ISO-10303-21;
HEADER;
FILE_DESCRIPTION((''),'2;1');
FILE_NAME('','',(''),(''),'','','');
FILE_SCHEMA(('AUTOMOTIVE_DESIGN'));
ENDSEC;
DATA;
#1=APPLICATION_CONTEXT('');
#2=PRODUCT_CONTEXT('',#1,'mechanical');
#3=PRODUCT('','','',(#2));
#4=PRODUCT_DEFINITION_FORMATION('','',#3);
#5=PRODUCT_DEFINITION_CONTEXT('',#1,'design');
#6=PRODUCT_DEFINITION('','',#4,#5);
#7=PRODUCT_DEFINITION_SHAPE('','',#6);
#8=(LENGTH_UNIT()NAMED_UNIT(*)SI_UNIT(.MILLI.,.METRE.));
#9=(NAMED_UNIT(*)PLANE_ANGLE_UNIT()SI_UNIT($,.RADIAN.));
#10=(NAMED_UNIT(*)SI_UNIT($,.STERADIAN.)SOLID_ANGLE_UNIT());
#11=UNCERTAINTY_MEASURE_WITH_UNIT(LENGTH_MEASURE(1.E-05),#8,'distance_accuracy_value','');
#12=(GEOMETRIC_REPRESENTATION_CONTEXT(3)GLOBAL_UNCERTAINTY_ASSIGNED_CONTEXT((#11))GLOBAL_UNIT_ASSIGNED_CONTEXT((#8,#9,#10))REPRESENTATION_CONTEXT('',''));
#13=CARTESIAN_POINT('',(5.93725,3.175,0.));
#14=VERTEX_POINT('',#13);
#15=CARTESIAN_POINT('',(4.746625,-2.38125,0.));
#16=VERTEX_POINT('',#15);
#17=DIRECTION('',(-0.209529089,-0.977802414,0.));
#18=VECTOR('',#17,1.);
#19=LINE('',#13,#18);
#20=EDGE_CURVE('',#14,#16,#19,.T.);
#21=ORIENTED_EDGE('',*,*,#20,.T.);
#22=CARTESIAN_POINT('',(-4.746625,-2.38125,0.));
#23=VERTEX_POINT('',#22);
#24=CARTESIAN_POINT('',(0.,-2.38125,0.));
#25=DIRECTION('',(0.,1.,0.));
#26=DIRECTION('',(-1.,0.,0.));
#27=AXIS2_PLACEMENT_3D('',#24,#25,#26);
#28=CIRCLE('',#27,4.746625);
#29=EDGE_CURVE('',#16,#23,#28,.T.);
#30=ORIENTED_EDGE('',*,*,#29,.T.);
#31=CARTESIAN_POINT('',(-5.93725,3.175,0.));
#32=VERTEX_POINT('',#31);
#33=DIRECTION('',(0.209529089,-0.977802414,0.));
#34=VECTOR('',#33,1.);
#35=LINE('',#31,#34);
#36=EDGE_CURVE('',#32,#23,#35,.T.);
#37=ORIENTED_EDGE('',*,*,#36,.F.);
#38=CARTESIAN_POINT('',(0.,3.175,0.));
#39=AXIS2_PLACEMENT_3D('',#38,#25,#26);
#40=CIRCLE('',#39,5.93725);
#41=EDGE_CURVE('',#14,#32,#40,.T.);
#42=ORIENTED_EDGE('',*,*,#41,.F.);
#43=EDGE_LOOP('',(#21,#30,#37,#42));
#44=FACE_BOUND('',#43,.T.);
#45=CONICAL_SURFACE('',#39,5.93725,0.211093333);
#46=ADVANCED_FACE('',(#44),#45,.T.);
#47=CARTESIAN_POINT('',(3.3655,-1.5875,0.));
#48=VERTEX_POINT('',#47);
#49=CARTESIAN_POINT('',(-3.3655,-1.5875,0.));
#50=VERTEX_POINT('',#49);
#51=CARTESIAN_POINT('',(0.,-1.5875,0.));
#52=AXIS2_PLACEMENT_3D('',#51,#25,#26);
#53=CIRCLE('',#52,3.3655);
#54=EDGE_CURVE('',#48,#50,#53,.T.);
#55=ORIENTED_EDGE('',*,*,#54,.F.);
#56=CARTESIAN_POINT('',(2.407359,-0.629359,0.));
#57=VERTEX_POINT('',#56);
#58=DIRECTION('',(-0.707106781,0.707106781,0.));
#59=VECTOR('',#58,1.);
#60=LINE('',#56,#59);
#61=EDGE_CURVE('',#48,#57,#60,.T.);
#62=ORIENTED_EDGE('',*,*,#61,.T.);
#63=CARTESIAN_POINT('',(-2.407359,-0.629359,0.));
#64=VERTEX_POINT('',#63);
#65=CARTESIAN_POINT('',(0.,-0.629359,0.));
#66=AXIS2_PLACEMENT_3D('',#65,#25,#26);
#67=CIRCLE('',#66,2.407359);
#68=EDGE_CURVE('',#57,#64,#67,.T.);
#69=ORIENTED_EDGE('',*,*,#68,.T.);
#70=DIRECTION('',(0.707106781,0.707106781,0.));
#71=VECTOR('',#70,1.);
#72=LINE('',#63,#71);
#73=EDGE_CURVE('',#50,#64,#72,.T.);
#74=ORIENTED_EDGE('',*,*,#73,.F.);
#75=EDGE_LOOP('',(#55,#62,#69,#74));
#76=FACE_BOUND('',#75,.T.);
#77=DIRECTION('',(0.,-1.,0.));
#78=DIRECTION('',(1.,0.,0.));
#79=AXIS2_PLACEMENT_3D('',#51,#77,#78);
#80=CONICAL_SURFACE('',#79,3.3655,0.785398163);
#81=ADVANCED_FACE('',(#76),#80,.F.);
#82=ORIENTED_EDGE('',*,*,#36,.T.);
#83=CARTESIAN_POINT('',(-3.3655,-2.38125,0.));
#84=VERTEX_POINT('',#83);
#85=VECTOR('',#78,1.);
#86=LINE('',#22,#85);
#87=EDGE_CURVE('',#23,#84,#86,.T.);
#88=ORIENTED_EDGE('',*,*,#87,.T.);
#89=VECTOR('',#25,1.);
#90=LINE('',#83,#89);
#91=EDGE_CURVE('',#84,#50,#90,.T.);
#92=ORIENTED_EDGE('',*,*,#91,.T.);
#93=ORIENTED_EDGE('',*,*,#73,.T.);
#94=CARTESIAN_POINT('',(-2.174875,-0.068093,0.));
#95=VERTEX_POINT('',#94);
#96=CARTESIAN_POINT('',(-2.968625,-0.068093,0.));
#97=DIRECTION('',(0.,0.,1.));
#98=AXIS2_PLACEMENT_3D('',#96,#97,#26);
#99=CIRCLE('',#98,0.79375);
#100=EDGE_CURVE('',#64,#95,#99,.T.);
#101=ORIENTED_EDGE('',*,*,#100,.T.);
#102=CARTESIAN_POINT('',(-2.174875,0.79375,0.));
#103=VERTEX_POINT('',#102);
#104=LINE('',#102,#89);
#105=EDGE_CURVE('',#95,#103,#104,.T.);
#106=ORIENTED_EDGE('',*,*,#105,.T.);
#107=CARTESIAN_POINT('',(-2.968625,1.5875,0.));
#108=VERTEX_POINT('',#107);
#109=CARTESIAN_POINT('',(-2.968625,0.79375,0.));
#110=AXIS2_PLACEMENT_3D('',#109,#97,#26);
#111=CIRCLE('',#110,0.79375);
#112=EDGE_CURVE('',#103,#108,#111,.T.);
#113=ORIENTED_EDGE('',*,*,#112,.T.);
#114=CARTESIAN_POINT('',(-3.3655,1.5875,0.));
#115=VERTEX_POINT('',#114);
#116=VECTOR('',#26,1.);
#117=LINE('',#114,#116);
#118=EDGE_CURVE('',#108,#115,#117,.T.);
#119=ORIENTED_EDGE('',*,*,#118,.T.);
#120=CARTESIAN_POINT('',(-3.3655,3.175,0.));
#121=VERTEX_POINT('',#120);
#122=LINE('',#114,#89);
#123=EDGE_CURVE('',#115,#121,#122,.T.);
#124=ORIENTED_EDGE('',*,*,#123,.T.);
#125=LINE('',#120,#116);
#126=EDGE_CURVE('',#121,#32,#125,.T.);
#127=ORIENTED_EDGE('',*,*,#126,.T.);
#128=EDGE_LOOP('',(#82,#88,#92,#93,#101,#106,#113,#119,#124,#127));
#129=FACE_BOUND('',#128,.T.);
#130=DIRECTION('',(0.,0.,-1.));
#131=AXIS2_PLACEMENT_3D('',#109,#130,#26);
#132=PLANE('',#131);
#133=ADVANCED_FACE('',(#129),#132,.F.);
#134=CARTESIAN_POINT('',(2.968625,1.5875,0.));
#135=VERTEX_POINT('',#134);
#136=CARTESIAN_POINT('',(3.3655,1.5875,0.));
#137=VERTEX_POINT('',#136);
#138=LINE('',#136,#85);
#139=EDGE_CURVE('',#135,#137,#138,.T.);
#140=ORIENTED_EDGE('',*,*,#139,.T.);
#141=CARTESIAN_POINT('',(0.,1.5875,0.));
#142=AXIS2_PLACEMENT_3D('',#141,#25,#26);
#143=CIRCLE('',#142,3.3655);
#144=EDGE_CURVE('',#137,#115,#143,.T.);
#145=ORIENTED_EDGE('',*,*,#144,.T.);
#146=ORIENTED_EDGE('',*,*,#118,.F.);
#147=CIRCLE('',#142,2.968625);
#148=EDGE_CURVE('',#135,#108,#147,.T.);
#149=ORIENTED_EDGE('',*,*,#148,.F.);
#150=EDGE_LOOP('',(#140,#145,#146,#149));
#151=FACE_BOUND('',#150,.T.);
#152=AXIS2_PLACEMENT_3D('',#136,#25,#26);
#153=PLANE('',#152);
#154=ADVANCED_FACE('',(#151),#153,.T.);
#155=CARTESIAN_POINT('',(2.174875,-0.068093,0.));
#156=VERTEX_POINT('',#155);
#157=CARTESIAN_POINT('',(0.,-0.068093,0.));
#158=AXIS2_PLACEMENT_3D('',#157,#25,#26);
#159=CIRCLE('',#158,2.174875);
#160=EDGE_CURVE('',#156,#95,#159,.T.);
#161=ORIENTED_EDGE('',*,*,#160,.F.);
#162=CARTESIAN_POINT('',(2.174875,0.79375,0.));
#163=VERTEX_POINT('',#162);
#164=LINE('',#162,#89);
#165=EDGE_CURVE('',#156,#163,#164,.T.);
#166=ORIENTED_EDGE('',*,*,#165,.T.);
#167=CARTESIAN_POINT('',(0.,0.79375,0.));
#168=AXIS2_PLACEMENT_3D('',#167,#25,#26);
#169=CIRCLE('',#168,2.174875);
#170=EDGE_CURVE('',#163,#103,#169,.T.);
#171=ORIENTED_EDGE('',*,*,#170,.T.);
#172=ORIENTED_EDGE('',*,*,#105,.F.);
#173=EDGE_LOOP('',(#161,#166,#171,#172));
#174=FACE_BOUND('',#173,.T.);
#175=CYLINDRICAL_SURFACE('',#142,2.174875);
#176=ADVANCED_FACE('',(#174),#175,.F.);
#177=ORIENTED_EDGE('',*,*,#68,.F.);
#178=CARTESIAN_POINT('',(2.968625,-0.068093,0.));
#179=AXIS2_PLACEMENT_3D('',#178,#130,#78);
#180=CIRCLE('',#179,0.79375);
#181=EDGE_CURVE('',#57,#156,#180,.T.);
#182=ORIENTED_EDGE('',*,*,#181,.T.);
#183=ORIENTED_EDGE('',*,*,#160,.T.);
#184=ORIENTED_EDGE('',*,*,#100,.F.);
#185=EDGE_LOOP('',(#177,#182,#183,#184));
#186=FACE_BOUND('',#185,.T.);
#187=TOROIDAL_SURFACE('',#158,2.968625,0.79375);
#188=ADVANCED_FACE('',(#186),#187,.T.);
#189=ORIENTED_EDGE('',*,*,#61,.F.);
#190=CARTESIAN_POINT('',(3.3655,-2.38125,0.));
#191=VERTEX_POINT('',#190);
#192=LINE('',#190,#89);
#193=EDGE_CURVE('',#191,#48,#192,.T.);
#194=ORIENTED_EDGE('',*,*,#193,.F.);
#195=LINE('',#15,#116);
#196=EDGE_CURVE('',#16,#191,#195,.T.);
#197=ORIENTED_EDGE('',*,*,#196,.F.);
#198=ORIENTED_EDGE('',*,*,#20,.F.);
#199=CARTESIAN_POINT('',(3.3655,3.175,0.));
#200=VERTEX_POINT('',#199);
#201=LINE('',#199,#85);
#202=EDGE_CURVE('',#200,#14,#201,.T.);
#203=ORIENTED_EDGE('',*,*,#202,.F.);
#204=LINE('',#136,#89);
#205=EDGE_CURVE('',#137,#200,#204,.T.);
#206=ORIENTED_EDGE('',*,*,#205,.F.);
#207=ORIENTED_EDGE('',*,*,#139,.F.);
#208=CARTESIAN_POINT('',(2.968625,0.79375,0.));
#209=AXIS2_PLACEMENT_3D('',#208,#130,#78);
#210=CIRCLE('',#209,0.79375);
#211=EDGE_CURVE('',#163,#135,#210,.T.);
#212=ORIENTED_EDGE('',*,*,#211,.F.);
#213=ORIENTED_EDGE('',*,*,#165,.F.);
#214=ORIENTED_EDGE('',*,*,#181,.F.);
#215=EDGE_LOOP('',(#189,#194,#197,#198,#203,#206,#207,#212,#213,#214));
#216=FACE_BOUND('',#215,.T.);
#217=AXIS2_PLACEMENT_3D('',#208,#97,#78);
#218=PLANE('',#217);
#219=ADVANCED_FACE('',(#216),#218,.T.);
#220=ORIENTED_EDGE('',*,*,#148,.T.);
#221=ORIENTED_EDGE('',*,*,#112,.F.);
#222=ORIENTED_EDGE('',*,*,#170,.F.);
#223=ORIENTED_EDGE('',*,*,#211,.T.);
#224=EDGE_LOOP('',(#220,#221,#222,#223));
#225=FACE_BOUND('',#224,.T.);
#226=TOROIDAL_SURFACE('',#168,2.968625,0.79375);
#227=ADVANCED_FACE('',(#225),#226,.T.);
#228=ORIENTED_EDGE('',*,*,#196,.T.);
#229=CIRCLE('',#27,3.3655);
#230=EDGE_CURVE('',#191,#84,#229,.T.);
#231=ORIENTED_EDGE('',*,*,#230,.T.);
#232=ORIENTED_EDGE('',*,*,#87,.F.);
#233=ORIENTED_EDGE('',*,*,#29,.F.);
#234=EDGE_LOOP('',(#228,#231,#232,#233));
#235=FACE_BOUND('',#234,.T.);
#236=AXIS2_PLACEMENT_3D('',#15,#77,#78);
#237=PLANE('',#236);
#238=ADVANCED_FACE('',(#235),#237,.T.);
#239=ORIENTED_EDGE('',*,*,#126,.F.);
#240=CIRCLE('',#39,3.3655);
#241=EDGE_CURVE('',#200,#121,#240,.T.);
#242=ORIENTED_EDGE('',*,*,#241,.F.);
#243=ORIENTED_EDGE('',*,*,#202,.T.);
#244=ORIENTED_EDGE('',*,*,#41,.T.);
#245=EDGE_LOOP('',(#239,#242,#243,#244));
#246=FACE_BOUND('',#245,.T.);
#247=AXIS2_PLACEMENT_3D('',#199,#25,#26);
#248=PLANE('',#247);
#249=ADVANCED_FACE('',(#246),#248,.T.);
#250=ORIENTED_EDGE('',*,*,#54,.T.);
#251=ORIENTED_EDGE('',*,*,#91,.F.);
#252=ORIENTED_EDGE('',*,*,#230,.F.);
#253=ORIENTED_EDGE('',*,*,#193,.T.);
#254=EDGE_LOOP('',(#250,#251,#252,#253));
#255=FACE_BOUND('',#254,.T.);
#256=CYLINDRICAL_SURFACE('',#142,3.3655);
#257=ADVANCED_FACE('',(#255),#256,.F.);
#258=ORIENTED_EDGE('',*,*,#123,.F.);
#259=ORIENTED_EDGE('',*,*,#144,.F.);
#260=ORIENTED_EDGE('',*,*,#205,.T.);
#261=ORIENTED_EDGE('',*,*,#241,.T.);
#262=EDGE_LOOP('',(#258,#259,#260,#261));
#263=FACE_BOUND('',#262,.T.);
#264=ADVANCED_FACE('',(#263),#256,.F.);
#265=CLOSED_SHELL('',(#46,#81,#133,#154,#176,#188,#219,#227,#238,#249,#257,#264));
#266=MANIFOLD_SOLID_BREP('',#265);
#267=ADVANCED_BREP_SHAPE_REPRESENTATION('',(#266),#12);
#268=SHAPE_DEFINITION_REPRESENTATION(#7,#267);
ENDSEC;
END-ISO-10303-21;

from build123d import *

# Parameters (mm, degrees)
REVOLVE1_ANGLE = 180


with BuildPart() as part:
    # Sketch1 → Revolve1 (revolve)
    with BuildSketch(Plane.XY):
        with BuildLine():
            Line((-3.3655, 1.5875), (-3.3655, 3.175))
            Line((-3.3655, 3.175), (-5.93725, 3.175))
            Line((-5.93725, 3.175), (-4.746625, -2.38125))
            Line((-4.746625, -2.38125), (-3.3655, -2.38125))
            Line((-3.3655, -2.38125), (-3.3655, -1.5875))
            Line((-3.3655, -1.5875), (-2.407358992, -0.629358992))
            ThreePointArc((-2.407358992, -0.629358992), (-2.235295621, -0.371847959), (-2.174875, -0.068092985))
            Line((-2.174875, -0.068092985), (-2.174875, 0.79375))
            ThreePointArc((-2.174875, 0.79375), (-2.407358992, 1.355016008), (-2.968625, 1.5875))
            Line((-2.968625, 1.5875), (-3.3655, 1.5875))
        make_face()
    revolve(axis=Axis((0, 1.5875, 0), (0, -1, 0)), revolution_arc=REVOLVE1_ANGLE)


solid = part.part
